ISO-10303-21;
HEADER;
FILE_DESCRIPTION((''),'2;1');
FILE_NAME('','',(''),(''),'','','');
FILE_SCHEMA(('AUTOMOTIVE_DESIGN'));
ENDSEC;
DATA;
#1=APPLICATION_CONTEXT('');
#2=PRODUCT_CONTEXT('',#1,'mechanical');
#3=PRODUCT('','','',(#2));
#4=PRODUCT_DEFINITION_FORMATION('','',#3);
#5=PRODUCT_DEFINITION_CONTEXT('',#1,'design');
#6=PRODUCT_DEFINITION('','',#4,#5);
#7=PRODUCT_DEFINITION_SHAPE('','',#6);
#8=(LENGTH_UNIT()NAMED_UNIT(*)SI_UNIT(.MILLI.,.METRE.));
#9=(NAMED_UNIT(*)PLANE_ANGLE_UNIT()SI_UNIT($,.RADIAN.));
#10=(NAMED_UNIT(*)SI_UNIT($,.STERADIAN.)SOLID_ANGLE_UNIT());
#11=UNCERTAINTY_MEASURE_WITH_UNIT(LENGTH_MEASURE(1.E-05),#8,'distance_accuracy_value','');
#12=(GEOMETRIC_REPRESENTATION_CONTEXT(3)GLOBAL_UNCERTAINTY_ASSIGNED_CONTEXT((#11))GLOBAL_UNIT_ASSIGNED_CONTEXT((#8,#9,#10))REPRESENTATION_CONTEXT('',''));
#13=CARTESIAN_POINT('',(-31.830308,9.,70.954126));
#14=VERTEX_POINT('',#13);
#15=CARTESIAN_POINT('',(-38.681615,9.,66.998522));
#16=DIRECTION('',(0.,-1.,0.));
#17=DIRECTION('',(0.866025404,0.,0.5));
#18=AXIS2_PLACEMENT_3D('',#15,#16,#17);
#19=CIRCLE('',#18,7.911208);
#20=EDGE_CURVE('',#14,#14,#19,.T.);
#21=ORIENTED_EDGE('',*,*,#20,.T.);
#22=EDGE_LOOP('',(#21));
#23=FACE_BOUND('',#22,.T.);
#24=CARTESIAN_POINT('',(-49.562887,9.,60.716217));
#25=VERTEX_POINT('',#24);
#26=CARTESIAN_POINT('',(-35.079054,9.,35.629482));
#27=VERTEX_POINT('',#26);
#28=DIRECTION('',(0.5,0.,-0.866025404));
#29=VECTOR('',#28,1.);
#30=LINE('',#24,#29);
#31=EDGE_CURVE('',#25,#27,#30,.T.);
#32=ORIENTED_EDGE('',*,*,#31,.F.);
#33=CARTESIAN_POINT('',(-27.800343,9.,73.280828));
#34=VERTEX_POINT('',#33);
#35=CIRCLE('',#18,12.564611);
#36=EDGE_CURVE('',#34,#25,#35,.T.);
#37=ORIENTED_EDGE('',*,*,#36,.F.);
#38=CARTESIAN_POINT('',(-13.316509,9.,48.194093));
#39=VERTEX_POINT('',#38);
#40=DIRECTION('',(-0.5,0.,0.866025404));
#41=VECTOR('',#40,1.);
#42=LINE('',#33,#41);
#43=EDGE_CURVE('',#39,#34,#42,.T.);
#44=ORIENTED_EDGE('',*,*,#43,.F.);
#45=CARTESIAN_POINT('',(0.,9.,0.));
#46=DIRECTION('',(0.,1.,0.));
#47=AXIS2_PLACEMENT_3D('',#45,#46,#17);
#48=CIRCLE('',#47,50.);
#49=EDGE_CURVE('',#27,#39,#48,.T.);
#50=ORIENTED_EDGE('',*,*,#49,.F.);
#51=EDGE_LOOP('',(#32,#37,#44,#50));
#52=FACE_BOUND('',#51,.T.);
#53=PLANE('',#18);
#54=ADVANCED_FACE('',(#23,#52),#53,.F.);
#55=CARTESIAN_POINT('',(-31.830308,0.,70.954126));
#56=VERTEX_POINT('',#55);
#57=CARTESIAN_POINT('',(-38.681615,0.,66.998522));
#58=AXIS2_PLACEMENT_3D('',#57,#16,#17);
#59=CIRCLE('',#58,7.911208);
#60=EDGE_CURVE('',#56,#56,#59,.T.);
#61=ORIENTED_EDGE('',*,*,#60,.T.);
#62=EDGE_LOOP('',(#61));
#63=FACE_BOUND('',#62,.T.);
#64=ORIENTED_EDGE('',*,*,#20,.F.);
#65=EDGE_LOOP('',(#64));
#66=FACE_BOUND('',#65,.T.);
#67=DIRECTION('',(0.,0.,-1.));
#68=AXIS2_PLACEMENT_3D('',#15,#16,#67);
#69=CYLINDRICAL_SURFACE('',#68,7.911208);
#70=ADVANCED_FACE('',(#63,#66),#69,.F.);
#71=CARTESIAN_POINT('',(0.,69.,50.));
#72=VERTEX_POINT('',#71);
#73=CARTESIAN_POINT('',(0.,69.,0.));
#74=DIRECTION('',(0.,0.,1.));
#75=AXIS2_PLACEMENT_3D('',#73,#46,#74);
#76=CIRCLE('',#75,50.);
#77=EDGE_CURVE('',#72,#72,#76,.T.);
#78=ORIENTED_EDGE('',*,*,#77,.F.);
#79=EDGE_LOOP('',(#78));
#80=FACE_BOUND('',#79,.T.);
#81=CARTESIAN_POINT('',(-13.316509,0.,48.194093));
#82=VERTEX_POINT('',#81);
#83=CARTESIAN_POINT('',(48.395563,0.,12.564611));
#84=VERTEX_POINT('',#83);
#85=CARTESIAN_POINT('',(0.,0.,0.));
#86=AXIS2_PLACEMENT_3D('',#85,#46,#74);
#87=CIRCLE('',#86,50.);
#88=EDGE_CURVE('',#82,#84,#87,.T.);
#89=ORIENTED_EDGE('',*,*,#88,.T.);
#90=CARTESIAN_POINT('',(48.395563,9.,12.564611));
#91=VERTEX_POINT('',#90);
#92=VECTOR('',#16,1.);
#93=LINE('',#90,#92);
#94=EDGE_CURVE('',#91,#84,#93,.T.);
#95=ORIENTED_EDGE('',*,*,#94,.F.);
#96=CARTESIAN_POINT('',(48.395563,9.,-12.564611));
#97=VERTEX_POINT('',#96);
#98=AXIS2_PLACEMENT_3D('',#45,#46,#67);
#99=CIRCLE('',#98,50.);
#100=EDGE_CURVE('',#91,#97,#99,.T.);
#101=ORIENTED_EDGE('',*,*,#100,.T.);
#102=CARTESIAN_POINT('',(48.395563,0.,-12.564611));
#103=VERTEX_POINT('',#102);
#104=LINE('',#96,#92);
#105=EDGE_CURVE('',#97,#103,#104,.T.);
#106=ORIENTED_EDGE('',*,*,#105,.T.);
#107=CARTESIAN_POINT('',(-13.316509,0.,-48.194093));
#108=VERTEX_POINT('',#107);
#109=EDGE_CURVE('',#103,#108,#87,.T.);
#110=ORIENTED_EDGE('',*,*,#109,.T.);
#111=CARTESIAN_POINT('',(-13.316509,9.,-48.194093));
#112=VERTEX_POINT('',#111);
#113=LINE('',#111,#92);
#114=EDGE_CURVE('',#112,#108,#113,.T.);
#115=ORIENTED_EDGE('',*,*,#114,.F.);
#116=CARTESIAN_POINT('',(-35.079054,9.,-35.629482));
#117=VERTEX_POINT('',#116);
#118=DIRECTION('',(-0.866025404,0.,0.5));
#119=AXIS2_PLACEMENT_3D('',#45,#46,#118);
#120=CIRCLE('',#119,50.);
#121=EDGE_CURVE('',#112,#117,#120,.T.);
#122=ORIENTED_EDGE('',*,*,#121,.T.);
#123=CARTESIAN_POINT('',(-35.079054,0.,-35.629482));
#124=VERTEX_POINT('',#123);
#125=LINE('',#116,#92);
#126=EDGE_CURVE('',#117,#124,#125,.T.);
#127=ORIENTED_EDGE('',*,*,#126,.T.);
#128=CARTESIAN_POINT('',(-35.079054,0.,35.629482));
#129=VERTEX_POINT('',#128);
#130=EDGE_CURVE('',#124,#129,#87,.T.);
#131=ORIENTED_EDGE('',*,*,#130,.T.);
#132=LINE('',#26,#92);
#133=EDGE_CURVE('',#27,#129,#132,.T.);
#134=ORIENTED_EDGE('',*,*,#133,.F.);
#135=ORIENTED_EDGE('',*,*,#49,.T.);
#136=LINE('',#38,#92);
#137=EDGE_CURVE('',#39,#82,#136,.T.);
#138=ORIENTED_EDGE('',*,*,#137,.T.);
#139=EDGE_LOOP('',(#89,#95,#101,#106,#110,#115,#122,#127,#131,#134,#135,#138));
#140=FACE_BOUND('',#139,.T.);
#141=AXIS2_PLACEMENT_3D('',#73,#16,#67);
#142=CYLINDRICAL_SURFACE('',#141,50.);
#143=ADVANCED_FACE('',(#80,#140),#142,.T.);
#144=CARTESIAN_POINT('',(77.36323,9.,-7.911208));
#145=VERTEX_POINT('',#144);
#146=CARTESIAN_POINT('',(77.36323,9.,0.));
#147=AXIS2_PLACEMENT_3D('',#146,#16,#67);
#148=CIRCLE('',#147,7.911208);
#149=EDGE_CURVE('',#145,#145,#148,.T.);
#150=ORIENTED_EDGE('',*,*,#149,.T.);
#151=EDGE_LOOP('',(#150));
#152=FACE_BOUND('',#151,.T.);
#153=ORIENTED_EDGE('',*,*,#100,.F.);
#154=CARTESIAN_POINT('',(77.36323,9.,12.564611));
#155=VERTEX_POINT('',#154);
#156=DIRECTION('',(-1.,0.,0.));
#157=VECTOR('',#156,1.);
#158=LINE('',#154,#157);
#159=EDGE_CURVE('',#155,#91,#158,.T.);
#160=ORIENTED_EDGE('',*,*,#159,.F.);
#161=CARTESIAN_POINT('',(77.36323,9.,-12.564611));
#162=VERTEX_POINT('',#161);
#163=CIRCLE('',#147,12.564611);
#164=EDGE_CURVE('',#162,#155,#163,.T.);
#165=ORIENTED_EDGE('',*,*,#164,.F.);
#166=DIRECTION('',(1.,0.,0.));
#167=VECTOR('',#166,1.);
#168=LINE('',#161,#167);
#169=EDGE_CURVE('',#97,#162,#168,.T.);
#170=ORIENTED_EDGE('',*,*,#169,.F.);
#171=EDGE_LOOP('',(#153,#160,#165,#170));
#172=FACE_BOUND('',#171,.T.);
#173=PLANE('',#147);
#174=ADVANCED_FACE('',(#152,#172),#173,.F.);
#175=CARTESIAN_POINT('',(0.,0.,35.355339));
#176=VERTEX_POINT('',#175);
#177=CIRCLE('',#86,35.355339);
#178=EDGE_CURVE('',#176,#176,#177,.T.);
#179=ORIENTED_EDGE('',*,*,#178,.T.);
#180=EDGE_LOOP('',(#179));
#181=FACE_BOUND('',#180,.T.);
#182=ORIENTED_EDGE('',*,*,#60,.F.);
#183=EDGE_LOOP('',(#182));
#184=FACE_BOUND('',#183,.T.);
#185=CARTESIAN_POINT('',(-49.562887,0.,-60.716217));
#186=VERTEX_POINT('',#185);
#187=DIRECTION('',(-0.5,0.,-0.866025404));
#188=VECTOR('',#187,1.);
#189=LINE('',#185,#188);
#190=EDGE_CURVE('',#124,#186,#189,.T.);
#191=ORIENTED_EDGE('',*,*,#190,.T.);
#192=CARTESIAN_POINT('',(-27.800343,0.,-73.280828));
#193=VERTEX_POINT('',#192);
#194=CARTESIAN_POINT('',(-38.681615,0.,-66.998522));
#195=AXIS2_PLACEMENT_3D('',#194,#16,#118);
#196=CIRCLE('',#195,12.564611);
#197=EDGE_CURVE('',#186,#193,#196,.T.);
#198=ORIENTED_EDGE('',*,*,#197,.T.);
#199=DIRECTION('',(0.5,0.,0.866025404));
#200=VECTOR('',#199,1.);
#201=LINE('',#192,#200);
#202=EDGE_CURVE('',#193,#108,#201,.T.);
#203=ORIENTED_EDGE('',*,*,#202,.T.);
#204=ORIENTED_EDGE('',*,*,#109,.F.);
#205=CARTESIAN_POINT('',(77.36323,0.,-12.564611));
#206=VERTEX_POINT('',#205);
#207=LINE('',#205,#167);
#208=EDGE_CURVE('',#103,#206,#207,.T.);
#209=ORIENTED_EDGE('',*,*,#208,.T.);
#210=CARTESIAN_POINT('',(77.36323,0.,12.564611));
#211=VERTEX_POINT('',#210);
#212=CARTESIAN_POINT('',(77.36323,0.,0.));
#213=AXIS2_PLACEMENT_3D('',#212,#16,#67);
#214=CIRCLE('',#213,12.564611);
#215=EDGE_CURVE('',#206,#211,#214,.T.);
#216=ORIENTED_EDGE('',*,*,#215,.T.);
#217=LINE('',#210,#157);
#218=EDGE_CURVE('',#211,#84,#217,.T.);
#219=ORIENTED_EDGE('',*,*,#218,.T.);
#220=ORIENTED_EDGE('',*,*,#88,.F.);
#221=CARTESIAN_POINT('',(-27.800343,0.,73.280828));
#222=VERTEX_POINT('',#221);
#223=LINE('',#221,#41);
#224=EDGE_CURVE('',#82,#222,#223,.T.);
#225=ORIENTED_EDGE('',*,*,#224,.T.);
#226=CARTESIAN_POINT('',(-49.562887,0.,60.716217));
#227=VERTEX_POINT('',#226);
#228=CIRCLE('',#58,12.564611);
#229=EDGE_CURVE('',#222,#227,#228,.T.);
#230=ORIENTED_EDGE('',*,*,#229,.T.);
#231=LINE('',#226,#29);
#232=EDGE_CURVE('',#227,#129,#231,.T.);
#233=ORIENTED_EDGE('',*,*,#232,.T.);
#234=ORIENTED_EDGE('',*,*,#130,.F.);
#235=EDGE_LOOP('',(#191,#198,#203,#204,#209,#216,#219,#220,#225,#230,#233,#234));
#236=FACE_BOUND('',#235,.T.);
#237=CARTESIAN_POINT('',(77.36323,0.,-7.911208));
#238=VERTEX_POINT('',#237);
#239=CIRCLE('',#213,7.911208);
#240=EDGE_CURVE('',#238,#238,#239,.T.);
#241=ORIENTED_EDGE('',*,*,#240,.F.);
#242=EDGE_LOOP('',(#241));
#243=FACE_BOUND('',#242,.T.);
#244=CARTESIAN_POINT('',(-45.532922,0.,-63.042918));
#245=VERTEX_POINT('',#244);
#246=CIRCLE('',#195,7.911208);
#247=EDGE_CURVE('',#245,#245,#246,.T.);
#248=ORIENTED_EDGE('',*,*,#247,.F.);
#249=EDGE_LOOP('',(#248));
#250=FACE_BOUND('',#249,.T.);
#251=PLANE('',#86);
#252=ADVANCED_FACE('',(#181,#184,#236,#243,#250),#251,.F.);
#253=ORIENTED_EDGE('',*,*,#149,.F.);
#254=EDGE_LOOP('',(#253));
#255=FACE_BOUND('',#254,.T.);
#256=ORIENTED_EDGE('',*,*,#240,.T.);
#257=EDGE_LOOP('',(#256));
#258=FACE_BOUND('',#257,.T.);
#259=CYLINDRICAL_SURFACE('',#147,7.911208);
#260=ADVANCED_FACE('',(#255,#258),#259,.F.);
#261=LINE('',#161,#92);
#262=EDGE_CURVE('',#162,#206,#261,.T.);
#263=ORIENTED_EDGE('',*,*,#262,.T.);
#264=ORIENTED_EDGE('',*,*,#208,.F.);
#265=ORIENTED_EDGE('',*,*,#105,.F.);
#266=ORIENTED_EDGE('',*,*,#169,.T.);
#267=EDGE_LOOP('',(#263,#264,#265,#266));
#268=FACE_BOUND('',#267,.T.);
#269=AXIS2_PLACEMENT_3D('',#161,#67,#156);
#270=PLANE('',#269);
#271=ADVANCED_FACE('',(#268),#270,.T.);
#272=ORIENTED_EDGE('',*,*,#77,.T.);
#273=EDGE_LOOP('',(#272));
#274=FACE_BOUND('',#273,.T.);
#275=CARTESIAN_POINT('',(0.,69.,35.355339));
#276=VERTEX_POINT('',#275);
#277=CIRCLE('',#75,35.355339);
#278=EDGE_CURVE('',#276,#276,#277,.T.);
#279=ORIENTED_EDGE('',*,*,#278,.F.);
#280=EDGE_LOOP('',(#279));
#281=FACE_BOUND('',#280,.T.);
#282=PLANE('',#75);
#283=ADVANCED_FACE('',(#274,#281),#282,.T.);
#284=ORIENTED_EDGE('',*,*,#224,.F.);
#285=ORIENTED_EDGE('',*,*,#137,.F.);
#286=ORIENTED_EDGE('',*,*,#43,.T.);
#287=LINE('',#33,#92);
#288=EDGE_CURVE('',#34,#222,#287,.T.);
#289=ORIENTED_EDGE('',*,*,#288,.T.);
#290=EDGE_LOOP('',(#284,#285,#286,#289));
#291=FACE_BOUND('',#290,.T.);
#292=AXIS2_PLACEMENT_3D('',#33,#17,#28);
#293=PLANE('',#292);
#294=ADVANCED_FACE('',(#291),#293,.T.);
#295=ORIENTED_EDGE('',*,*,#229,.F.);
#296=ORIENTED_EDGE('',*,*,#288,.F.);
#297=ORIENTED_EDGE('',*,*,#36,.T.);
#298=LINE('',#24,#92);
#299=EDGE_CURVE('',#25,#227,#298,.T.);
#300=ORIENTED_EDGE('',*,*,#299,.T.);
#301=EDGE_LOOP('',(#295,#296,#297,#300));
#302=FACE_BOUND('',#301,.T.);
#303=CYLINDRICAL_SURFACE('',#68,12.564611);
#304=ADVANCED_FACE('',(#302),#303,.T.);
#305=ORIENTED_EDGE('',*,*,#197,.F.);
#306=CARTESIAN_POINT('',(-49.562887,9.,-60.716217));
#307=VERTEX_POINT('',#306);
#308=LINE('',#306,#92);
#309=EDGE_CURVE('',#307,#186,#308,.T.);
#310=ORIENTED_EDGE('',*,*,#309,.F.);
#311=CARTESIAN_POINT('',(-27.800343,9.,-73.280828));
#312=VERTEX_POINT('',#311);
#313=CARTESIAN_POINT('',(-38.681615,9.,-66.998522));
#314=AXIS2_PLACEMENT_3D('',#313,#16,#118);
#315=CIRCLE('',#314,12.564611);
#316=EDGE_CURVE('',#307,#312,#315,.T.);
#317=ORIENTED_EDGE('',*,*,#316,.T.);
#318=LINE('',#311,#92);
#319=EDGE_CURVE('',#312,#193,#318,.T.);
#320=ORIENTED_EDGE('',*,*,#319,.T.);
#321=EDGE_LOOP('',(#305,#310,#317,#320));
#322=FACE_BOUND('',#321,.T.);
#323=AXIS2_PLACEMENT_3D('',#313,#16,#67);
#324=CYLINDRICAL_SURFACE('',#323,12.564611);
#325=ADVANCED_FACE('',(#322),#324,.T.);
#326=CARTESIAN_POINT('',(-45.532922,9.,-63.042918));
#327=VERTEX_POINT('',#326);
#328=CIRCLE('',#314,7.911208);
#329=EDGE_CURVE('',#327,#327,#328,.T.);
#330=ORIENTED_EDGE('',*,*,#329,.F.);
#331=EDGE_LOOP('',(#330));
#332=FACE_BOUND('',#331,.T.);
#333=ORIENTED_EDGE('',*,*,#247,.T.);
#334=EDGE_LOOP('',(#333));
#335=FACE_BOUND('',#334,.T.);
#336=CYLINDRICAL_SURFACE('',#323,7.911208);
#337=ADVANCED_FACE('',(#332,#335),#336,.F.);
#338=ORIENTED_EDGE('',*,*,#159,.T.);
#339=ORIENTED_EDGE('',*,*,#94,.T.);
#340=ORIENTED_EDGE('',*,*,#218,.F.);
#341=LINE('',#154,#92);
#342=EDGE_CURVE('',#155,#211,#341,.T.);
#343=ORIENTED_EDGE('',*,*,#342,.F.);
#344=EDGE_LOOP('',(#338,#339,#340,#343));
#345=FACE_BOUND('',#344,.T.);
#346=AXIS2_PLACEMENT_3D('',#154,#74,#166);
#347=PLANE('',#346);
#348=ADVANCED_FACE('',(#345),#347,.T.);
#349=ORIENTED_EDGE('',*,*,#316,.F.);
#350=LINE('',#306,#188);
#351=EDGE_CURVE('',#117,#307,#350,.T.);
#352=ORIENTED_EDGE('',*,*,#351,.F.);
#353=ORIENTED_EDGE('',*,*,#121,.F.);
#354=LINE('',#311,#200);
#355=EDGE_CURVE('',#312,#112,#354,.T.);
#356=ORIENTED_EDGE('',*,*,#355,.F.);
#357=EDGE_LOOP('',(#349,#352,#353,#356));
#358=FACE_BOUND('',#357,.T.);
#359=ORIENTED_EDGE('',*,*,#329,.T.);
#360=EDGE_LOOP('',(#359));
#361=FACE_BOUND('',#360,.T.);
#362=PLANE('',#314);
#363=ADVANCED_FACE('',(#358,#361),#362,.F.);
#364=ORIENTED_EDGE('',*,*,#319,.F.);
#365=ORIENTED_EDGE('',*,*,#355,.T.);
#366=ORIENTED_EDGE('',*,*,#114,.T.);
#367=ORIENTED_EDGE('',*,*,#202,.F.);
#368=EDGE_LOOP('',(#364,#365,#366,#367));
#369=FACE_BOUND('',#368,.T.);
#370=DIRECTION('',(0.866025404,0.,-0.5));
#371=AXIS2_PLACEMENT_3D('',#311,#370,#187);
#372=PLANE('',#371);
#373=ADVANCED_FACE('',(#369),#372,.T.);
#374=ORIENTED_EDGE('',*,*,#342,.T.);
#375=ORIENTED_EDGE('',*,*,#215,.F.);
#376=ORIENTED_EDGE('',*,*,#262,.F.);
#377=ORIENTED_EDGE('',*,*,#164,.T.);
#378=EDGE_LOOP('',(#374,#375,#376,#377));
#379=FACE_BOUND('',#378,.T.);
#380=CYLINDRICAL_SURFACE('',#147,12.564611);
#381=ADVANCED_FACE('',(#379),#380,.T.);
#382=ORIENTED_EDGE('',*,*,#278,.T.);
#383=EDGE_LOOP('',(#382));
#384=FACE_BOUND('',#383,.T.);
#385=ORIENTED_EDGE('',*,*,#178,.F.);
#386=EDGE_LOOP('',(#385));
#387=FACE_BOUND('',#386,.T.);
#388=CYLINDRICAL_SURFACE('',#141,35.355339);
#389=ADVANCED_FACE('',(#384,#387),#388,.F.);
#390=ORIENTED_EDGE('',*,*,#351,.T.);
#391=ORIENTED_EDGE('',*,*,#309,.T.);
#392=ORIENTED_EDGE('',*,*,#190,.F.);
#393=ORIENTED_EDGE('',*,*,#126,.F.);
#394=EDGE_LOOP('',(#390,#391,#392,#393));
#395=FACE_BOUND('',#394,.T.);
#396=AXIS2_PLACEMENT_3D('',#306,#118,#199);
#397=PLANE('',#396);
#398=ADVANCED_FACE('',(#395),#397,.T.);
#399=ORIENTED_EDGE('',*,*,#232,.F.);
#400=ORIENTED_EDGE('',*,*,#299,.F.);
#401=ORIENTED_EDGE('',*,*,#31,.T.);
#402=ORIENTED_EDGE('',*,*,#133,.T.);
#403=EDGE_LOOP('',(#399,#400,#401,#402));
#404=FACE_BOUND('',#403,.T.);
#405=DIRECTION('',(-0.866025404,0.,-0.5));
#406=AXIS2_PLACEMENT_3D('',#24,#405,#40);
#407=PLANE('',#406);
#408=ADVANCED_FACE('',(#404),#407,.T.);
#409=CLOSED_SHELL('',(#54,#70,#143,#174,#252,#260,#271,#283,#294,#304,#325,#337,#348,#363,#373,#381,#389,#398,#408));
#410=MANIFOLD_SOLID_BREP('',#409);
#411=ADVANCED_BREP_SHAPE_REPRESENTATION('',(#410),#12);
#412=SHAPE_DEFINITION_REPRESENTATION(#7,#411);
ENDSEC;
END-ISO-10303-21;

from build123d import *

# Parameters (mm, degrees)
SKETCH1_R           = 50
SKETCH1_R_2         = 35.355339059
BOSS_EXTRUDE1_DEPTH = 69
SKETCH2_R           = 7.911207782
BOSS_EXTRUDE2_DEPTH = 9
CIRPATTERN1_COUNT   = 3


with BuildPart() as part:
    # Sketch1 → Boss-Extrude1 (new body)
    with BuildSketch(Plane(origin=(0, 0, 0), x_dir=(1, 0, 0), z_dir=(0, 1, 0))):
        Circle(SKETCH1_R)
        Circle(SKETCH1_R_2, mode=Mode.SUBTRACT)
    extrude(amount=BOSS_EXTRUDE1_DEPTH)

    # Sketch2 → Boss-Extrude2 (add)
    with BuildSketch(Plane.XZ):
        with BuildLine():
            Line((77.363229747, 12.564610951), (48.395563347, 12.564610951))
            ThreePointArc((48.395563347, 12.564610951), (50, 0), (48.395563347, -12.564610951))
            Line((48.395563347, -12.564610951), (77.363229747, -12.564610951))
            ThreePointArc((77.363229747, -12.564610951), (89.927840698, 0), (77.363229747, 12.564610951))
        make_face()
        with Locations((77.363229747, 0)):
            Circle(SKETCH2_R, mode=Mode.SUBTRACT)
    boss_extrude2 = extrude(amount=-BOSS_EXTRUDE2_DEPTH)

    # CirPattern1: Boss-Extrude2 ×3 about axis
    cirpattern1_axis = Axis((0, -3.45, 0), (0, 1, 0))
    for i in range(1, CIRPATTERN1_COUNT):
        add(boss_extrude2.rotate(cirpattern1_axis, i * 360 / CIRPATTERN1_COUNT))


solid = part.part
